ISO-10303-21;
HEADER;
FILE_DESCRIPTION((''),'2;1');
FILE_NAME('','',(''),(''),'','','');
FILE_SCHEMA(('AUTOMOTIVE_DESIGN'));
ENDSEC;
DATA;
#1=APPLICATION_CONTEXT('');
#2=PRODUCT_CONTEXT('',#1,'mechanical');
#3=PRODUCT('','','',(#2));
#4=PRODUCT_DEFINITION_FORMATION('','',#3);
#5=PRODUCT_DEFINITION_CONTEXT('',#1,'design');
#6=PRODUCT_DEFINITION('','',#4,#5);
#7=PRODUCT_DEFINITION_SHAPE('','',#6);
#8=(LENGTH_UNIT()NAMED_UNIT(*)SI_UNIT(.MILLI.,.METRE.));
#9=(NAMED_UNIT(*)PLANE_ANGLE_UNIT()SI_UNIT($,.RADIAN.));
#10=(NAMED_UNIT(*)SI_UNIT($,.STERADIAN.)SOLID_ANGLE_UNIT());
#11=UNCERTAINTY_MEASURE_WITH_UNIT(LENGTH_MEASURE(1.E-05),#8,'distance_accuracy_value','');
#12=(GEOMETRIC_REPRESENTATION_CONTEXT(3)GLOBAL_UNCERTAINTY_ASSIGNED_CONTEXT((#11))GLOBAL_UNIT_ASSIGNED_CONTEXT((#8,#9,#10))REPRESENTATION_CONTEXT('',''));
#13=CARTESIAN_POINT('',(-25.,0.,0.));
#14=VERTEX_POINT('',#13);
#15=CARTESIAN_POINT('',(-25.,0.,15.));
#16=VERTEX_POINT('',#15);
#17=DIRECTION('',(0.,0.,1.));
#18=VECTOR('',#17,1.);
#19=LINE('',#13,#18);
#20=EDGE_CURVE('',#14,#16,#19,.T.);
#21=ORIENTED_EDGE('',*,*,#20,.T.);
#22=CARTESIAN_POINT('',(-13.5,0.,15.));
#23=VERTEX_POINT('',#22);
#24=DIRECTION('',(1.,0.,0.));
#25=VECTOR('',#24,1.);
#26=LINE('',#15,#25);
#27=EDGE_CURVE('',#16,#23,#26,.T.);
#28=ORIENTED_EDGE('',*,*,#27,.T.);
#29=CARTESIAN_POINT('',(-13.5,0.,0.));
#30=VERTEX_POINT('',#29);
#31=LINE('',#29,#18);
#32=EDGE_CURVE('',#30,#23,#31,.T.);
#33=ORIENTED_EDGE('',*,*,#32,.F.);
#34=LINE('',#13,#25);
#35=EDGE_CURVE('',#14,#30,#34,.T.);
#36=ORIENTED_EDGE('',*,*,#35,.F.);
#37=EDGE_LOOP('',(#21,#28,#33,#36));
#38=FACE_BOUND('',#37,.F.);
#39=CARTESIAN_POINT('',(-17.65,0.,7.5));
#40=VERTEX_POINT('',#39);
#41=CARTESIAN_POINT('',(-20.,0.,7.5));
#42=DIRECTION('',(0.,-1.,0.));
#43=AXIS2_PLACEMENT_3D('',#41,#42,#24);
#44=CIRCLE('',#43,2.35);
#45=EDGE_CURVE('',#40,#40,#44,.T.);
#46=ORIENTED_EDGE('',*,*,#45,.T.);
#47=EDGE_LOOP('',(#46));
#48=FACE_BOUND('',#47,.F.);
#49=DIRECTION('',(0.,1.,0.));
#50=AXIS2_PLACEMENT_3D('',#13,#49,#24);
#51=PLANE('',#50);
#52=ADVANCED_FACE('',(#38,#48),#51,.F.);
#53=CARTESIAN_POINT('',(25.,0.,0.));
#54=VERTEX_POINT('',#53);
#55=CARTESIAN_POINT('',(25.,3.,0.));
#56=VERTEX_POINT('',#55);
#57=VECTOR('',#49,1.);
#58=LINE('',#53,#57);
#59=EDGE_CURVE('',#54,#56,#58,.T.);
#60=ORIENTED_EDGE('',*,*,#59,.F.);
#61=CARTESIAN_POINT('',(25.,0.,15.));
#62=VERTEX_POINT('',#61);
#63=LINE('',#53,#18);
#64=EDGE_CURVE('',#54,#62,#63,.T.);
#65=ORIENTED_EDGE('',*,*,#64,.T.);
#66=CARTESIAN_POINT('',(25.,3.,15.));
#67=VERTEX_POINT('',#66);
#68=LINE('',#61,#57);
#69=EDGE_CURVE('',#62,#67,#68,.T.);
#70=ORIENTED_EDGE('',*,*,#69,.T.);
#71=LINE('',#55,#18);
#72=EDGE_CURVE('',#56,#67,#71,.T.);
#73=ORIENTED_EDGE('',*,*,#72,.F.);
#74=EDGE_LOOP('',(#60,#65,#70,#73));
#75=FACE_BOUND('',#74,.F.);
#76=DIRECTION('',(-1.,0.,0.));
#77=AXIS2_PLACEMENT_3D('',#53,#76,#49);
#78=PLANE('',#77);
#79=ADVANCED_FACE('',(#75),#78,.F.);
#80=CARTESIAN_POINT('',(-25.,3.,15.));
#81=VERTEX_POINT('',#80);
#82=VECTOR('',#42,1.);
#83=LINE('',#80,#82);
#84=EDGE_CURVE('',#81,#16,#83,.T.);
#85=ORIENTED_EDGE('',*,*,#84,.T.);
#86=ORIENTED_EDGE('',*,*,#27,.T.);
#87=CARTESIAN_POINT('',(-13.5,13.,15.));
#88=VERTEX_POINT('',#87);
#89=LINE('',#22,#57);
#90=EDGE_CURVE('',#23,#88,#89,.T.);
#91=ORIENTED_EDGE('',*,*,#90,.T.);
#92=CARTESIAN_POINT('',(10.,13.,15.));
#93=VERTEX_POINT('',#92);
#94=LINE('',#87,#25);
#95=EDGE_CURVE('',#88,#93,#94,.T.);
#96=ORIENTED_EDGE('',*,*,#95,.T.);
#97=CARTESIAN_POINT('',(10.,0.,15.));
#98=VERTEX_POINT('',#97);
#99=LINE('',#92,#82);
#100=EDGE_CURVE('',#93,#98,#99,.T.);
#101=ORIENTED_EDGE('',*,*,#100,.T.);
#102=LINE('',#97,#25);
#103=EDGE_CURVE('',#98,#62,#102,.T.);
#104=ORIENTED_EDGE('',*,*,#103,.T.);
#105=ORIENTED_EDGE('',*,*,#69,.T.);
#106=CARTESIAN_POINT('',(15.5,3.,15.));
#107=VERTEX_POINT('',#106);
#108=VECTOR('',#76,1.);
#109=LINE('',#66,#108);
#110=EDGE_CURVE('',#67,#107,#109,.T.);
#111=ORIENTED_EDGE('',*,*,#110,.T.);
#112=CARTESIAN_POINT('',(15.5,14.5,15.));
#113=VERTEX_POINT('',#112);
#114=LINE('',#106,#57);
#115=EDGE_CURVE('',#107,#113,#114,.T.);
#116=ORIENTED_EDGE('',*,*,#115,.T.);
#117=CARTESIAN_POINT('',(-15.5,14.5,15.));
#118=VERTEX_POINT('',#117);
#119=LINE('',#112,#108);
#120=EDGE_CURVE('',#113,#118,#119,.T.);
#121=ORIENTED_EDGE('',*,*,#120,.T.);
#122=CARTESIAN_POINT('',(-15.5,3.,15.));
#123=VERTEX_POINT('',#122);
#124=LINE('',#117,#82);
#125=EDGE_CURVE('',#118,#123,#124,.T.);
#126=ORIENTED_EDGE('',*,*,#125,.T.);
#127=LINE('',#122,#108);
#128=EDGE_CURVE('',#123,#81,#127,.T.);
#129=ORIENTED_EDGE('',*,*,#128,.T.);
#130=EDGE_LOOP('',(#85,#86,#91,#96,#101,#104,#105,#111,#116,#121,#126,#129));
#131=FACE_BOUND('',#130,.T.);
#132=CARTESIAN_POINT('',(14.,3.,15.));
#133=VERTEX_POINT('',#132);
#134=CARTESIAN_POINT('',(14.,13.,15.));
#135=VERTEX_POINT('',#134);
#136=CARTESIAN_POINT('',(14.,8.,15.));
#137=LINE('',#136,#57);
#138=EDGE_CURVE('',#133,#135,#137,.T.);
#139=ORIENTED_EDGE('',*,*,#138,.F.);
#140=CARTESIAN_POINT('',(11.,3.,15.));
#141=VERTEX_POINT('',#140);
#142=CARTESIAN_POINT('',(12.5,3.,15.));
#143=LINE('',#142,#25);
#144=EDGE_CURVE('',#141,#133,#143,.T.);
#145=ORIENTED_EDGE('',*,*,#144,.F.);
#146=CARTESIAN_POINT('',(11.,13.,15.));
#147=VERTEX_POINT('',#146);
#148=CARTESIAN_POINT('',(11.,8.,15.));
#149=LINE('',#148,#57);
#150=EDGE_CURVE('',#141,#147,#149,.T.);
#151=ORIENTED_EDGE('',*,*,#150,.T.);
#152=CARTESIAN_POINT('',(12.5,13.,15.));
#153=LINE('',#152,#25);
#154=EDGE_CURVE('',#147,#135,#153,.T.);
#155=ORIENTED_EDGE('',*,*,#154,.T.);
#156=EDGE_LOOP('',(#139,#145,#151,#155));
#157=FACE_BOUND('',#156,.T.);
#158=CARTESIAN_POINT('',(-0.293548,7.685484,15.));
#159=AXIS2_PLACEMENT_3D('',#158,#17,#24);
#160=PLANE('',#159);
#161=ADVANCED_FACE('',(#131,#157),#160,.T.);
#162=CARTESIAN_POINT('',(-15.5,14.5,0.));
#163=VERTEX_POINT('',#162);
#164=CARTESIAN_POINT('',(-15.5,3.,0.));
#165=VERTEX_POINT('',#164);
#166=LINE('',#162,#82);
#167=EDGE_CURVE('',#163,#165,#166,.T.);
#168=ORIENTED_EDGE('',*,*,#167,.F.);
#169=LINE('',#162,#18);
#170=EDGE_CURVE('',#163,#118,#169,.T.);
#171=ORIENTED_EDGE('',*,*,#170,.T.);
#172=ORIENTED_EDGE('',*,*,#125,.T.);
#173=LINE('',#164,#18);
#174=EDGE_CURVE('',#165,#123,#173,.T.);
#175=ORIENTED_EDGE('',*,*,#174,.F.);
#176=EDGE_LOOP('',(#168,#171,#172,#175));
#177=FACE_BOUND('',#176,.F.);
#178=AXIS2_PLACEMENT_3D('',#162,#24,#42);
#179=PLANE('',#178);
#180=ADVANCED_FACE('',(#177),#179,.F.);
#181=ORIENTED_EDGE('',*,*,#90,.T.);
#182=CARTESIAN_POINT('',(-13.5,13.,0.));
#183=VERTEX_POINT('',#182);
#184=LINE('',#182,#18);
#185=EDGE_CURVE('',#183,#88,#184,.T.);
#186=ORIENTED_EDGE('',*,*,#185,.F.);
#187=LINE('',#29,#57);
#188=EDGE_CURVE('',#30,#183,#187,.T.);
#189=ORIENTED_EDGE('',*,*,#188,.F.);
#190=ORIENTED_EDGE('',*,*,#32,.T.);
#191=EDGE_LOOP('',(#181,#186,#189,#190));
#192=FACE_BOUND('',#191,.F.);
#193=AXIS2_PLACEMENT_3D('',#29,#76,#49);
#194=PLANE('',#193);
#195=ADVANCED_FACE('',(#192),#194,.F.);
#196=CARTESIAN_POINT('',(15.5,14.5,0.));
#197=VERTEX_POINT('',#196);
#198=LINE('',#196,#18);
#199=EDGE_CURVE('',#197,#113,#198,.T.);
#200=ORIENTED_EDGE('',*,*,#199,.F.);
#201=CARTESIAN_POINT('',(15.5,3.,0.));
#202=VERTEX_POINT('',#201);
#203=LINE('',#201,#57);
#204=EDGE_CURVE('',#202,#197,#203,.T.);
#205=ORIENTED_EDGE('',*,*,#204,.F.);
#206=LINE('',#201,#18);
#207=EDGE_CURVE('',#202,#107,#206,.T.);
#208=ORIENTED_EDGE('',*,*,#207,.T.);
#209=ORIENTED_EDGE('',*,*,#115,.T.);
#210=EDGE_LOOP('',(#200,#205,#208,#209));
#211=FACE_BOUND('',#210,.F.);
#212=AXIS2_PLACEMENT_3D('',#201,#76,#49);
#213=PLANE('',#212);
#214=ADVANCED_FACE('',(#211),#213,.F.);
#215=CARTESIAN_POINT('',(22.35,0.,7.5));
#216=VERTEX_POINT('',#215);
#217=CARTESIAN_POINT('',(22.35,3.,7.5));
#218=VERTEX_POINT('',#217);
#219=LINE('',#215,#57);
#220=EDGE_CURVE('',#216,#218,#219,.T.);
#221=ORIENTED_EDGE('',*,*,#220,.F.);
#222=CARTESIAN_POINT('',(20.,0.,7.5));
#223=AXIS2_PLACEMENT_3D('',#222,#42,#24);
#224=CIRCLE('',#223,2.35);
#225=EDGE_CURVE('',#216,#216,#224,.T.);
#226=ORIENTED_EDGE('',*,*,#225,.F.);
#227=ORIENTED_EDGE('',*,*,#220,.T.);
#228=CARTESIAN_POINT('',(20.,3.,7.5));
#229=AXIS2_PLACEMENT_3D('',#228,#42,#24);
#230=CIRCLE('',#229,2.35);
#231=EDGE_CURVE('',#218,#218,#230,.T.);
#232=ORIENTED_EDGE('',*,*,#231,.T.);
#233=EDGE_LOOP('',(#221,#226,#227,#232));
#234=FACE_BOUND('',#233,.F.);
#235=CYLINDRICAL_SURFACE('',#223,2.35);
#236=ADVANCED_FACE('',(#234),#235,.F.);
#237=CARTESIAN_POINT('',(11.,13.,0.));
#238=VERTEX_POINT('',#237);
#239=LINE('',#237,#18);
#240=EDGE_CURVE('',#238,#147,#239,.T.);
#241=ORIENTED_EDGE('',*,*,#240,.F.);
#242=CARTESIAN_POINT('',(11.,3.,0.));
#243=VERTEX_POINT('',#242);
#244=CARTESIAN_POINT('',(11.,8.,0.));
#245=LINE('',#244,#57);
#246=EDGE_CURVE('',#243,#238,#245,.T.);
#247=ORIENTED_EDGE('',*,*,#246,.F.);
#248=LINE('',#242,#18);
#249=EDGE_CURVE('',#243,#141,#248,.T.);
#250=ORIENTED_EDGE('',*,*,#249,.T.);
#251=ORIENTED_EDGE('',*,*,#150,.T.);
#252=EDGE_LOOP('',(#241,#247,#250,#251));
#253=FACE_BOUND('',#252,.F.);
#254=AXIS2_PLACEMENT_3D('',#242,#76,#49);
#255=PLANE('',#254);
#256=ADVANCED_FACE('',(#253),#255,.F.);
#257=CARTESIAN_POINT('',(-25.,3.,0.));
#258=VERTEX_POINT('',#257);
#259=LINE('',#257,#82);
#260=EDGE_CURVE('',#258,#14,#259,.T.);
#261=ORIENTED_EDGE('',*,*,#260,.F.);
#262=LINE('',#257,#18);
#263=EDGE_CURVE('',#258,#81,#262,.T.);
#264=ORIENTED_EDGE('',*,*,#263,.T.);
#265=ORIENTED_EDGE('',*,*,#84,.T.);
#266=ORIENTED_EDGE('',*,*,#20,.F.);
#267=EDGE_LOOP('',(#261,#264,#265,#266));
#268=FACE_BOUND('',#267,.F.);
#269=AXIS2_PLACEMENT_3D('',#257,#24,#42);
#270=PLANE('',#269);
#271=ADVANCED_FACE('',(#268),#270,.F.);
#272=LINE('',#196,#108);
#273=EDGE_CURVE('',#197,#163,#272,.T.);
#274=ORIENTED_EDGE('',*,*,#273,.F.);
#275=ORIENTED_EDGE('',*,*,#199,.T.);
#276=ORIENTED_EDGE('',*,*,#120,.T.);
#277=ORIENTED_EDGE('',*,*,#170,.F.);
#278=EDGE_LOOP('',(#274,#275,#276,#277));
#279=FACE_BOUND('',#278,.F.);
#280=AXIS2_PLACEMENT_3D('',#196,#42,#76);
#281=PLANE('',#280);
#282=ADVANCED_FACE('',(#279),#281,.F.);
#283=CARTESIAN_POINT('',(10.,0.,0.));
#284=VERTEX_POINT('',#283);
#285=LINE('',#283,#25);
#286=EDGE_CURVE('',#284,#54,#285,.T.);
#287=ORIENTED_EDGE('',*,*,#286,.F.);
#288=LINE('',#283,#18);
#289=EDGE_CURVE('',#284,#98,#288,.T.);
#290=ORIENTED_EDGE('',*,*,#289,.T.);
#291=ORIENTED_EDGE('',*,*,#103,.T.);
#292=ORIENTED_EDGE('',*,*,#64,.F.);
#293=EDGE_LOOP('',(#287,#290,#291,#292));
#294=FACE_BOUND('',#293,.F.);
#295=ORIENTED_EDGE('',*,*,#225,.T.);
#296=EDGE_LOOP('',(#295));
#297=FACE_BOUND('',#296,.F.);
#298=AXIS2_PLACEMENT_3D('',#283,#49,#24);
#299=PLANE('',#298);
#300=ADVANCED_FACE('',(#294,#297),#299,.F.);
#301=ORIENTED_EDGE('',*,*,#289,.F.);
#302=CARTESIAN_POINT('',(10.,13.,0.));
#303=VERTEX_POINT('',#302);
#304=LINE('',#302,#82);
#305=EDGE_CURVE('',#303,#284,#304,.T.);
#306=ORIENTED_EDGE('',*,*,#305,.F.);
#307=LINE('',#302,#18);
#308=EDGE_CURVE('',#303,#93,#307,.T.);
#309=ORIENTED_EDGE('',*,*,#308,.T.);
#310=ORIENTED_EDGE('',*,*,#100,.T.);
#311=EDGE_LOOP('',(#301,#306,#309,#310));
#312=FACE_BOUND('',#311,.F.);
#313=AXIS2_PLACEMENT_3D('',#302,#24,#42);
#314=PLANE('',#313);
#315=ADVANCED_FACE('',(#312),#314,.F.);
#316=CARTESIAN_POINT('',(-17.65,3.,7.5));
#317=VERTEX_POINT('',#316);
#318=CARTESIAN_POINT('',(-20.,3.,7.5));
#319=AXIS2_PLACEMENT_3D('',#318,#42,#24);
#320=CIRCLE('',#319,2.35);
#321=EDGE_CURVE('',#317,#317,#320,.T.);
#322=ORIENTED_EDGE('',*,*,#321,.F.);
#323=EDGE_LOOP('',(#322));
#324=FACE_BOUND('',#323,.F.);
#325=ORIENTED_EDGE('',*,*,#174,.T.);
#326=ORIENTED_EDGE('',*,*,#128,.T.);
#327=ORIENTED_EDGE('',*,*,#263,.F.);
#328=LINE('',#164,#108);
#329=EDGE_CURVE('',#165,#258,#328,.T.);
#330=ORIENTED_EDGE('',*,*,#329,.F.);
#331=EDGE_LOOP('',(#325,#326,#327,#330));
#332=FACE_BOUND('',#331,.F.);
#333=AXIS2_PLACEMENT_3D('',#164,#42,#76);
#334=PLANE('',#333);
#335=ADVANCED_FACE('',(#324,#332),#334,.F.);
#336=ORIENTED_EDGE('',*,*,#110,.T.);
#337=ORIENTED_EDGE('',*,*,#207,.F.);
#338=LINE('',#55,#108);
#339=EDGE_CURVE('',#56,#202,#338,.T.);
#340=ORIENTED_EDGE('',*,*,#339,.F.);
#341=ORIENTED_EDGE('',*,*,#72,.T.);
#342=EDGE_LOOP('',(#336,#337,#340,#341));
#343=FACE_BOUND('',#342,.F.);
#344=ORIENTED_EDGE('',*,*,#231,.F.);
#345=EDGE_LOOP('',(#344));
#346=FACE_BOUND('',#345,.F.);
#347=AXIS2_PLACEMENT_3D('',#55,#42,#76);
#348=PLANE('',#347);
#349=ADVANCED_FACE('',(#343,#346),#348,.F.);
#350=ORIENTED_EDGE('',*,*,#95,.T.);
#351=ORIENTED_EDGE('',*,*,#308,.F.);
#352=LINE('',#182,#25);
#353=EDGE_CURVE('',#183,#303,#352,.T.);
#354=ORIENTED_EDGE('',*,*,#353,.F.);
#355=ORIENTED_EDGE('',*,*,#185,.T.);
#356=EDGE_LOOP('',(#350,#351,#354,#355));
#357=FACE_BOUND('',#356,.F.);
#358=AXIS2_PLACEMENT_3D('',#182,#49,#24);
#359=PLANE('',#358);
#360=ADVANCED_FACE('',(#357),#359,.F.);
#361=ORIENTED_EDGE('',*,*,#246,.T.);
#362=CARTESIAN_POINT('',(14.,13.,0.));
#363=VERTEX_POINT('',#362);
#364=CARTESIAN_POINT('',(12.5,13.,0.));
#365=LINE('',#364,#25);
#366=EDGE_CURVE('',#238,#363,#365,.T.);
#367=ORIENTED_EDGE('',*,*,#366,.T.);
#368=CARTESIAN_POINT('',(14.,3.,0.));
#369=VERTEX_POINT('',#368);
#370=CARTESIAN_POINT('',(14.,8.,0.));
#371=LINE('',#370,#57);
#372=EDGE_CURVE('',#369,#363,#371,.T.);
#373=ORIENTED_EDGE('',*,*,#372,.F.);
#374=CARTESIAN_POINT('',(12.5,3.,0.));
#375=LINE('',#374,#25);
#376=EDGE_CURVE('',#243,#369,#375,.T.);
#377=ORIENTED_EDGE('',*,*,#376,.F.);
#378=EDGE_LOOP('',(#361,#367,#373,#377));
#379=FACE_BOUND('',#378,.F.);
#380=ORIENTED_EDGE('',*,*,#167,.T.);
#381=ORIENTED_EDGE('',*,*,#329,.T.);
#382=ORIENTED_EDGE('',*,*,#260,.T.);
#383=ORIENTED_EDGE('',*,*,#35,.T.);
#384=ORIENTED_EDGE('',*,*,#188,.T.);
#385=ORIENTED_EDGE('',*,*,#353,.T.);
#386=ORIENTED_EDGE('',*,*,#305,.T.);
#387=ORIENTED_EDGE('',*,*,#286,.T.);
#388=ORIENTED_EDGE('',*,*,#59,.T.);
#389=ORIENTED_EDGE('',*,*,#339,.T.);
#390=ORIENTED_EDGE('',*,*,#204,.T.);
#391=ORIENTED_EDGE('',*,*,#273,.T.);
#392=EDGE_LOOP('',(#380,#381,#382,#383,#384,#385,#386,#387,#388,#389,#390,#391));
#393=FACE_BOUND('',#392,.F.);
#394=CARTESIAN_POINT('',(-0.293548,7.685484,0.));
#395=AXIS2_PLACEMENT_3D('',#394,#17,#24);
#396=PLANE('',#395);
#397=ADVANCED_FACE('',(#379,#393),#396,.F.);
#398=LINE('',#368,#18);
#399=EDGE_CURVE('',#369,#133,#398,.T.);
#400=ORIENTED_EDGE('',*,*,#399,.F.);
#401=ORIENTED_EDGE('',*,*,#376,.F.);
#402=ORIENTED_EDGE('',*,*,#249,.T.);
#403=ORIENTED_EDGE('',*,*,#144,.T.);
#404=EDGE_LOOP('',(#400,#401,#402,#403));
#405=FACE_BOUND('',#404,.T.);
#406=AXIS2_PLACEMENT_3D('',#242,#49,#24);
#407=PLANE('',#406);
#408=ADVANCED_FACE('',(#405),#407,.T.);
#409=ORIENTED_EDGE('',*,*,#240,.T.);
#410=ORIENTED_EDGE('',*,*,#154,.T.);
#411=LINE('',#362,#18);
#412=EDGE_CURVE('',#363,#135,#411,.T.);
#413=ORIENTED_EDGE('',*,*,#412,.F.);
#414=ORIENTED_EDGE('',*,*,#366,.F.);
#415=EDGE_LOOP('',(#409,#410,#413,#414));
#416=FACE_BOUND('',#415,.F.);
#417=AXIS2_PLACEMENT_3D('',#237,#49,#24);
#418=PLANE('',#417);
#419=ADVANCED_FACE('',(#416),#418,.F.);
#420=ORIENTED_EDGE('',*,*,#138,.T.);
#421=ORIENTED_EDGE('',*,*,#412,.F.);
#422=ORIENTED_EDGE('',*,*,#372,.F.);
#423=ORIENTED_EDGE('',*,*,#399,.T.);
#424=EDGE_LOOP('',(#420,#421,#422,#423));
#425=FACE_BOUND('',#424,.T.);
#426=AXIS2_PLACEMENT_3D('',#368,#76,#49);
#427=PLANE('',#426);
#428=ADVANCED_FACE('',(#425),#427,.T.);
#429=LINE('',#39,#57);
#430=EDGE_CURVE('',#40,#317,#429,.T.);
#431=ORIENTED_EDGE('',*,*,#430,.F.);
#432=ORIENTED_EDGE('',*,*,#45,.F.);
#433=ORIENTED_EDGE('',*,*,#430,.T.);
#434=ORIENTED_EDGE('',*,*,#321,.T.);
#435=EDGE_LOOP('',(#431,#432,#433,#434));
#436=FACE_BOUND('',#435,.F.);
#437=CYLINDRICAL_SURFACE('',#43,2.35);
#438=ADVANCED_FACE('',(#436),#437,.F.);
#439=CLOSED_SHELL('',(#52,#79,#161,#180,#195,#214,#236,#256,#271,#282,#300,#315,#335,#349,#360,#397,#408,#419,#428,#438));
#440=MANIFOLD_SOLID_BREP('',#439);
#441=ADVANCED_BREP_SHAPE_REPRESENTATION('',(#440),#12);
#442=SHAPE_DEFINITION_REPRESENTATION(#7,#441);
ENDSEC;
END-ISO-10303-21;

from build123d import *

# Parameters (mm, degrees)
SKETCH001_AS_DRAWN_R                 = 2.35
EXTRUDE001_DEPTH                     = 5
EXTRUDE001_ONTO_SKETCH001_ROLL_ANGLE = 90
SKETCH_W                             = 3
SKETCH_H                             = 10
EXTRUDE_DEPTH                        = 15


with BuildPart() as extrude001:
    # Sketch001 as drawn → Extrude001 (new)
    with BuildSketch(Plane.XY):
        with Locations((-20, 7.5)):
            Circle(SKETCH001_AS_DRAWN_R)
        with Locations((20, 7.5)):
            Circle(SKETCH001_AS_DRAWN_R)
    extrude(amount=-EXTRUDE001_DEPTH)


with BuildPart() as extrude001_1:
    # Extrude001 onto Sketch001 roll: moved
    add(extrude001.part.rotate(Axis((0, 0, 0), (1, 0, 0)), EXTRUDE001_ONTO_SKETCH001_ROLL_ANGLE))


with BuildPart() as extrude001_2:
    # Extrude001 onto Sketch001 placement: moved
    add(extrude001_1.part)


with BuildPart() as cut:
    # Sketch → Extrude (new body)
    with BuildSketch(Plane.XY):
        Polygon((-25, 0), (-13.5, 0), (-13.5, 13), (10, 13), (10, 0), (25, 0), (25, 3), (15.5, 3), (15.5, 14.5), (-15.5, 14.5), (-15.5, 3), (-25, 3), align=None)
        with Locations((12.5, 8)):
            Rectangle(SKETCH_W, SKETCH_H, mode=Mode.SUBTRACT)
    extrude(amount=EXTRUDE_DEPTH)

    # Cut: cut Extrude001
    add(extrude001_2.part, mode=Mode.SUBTRACT)


solid = cut.part
